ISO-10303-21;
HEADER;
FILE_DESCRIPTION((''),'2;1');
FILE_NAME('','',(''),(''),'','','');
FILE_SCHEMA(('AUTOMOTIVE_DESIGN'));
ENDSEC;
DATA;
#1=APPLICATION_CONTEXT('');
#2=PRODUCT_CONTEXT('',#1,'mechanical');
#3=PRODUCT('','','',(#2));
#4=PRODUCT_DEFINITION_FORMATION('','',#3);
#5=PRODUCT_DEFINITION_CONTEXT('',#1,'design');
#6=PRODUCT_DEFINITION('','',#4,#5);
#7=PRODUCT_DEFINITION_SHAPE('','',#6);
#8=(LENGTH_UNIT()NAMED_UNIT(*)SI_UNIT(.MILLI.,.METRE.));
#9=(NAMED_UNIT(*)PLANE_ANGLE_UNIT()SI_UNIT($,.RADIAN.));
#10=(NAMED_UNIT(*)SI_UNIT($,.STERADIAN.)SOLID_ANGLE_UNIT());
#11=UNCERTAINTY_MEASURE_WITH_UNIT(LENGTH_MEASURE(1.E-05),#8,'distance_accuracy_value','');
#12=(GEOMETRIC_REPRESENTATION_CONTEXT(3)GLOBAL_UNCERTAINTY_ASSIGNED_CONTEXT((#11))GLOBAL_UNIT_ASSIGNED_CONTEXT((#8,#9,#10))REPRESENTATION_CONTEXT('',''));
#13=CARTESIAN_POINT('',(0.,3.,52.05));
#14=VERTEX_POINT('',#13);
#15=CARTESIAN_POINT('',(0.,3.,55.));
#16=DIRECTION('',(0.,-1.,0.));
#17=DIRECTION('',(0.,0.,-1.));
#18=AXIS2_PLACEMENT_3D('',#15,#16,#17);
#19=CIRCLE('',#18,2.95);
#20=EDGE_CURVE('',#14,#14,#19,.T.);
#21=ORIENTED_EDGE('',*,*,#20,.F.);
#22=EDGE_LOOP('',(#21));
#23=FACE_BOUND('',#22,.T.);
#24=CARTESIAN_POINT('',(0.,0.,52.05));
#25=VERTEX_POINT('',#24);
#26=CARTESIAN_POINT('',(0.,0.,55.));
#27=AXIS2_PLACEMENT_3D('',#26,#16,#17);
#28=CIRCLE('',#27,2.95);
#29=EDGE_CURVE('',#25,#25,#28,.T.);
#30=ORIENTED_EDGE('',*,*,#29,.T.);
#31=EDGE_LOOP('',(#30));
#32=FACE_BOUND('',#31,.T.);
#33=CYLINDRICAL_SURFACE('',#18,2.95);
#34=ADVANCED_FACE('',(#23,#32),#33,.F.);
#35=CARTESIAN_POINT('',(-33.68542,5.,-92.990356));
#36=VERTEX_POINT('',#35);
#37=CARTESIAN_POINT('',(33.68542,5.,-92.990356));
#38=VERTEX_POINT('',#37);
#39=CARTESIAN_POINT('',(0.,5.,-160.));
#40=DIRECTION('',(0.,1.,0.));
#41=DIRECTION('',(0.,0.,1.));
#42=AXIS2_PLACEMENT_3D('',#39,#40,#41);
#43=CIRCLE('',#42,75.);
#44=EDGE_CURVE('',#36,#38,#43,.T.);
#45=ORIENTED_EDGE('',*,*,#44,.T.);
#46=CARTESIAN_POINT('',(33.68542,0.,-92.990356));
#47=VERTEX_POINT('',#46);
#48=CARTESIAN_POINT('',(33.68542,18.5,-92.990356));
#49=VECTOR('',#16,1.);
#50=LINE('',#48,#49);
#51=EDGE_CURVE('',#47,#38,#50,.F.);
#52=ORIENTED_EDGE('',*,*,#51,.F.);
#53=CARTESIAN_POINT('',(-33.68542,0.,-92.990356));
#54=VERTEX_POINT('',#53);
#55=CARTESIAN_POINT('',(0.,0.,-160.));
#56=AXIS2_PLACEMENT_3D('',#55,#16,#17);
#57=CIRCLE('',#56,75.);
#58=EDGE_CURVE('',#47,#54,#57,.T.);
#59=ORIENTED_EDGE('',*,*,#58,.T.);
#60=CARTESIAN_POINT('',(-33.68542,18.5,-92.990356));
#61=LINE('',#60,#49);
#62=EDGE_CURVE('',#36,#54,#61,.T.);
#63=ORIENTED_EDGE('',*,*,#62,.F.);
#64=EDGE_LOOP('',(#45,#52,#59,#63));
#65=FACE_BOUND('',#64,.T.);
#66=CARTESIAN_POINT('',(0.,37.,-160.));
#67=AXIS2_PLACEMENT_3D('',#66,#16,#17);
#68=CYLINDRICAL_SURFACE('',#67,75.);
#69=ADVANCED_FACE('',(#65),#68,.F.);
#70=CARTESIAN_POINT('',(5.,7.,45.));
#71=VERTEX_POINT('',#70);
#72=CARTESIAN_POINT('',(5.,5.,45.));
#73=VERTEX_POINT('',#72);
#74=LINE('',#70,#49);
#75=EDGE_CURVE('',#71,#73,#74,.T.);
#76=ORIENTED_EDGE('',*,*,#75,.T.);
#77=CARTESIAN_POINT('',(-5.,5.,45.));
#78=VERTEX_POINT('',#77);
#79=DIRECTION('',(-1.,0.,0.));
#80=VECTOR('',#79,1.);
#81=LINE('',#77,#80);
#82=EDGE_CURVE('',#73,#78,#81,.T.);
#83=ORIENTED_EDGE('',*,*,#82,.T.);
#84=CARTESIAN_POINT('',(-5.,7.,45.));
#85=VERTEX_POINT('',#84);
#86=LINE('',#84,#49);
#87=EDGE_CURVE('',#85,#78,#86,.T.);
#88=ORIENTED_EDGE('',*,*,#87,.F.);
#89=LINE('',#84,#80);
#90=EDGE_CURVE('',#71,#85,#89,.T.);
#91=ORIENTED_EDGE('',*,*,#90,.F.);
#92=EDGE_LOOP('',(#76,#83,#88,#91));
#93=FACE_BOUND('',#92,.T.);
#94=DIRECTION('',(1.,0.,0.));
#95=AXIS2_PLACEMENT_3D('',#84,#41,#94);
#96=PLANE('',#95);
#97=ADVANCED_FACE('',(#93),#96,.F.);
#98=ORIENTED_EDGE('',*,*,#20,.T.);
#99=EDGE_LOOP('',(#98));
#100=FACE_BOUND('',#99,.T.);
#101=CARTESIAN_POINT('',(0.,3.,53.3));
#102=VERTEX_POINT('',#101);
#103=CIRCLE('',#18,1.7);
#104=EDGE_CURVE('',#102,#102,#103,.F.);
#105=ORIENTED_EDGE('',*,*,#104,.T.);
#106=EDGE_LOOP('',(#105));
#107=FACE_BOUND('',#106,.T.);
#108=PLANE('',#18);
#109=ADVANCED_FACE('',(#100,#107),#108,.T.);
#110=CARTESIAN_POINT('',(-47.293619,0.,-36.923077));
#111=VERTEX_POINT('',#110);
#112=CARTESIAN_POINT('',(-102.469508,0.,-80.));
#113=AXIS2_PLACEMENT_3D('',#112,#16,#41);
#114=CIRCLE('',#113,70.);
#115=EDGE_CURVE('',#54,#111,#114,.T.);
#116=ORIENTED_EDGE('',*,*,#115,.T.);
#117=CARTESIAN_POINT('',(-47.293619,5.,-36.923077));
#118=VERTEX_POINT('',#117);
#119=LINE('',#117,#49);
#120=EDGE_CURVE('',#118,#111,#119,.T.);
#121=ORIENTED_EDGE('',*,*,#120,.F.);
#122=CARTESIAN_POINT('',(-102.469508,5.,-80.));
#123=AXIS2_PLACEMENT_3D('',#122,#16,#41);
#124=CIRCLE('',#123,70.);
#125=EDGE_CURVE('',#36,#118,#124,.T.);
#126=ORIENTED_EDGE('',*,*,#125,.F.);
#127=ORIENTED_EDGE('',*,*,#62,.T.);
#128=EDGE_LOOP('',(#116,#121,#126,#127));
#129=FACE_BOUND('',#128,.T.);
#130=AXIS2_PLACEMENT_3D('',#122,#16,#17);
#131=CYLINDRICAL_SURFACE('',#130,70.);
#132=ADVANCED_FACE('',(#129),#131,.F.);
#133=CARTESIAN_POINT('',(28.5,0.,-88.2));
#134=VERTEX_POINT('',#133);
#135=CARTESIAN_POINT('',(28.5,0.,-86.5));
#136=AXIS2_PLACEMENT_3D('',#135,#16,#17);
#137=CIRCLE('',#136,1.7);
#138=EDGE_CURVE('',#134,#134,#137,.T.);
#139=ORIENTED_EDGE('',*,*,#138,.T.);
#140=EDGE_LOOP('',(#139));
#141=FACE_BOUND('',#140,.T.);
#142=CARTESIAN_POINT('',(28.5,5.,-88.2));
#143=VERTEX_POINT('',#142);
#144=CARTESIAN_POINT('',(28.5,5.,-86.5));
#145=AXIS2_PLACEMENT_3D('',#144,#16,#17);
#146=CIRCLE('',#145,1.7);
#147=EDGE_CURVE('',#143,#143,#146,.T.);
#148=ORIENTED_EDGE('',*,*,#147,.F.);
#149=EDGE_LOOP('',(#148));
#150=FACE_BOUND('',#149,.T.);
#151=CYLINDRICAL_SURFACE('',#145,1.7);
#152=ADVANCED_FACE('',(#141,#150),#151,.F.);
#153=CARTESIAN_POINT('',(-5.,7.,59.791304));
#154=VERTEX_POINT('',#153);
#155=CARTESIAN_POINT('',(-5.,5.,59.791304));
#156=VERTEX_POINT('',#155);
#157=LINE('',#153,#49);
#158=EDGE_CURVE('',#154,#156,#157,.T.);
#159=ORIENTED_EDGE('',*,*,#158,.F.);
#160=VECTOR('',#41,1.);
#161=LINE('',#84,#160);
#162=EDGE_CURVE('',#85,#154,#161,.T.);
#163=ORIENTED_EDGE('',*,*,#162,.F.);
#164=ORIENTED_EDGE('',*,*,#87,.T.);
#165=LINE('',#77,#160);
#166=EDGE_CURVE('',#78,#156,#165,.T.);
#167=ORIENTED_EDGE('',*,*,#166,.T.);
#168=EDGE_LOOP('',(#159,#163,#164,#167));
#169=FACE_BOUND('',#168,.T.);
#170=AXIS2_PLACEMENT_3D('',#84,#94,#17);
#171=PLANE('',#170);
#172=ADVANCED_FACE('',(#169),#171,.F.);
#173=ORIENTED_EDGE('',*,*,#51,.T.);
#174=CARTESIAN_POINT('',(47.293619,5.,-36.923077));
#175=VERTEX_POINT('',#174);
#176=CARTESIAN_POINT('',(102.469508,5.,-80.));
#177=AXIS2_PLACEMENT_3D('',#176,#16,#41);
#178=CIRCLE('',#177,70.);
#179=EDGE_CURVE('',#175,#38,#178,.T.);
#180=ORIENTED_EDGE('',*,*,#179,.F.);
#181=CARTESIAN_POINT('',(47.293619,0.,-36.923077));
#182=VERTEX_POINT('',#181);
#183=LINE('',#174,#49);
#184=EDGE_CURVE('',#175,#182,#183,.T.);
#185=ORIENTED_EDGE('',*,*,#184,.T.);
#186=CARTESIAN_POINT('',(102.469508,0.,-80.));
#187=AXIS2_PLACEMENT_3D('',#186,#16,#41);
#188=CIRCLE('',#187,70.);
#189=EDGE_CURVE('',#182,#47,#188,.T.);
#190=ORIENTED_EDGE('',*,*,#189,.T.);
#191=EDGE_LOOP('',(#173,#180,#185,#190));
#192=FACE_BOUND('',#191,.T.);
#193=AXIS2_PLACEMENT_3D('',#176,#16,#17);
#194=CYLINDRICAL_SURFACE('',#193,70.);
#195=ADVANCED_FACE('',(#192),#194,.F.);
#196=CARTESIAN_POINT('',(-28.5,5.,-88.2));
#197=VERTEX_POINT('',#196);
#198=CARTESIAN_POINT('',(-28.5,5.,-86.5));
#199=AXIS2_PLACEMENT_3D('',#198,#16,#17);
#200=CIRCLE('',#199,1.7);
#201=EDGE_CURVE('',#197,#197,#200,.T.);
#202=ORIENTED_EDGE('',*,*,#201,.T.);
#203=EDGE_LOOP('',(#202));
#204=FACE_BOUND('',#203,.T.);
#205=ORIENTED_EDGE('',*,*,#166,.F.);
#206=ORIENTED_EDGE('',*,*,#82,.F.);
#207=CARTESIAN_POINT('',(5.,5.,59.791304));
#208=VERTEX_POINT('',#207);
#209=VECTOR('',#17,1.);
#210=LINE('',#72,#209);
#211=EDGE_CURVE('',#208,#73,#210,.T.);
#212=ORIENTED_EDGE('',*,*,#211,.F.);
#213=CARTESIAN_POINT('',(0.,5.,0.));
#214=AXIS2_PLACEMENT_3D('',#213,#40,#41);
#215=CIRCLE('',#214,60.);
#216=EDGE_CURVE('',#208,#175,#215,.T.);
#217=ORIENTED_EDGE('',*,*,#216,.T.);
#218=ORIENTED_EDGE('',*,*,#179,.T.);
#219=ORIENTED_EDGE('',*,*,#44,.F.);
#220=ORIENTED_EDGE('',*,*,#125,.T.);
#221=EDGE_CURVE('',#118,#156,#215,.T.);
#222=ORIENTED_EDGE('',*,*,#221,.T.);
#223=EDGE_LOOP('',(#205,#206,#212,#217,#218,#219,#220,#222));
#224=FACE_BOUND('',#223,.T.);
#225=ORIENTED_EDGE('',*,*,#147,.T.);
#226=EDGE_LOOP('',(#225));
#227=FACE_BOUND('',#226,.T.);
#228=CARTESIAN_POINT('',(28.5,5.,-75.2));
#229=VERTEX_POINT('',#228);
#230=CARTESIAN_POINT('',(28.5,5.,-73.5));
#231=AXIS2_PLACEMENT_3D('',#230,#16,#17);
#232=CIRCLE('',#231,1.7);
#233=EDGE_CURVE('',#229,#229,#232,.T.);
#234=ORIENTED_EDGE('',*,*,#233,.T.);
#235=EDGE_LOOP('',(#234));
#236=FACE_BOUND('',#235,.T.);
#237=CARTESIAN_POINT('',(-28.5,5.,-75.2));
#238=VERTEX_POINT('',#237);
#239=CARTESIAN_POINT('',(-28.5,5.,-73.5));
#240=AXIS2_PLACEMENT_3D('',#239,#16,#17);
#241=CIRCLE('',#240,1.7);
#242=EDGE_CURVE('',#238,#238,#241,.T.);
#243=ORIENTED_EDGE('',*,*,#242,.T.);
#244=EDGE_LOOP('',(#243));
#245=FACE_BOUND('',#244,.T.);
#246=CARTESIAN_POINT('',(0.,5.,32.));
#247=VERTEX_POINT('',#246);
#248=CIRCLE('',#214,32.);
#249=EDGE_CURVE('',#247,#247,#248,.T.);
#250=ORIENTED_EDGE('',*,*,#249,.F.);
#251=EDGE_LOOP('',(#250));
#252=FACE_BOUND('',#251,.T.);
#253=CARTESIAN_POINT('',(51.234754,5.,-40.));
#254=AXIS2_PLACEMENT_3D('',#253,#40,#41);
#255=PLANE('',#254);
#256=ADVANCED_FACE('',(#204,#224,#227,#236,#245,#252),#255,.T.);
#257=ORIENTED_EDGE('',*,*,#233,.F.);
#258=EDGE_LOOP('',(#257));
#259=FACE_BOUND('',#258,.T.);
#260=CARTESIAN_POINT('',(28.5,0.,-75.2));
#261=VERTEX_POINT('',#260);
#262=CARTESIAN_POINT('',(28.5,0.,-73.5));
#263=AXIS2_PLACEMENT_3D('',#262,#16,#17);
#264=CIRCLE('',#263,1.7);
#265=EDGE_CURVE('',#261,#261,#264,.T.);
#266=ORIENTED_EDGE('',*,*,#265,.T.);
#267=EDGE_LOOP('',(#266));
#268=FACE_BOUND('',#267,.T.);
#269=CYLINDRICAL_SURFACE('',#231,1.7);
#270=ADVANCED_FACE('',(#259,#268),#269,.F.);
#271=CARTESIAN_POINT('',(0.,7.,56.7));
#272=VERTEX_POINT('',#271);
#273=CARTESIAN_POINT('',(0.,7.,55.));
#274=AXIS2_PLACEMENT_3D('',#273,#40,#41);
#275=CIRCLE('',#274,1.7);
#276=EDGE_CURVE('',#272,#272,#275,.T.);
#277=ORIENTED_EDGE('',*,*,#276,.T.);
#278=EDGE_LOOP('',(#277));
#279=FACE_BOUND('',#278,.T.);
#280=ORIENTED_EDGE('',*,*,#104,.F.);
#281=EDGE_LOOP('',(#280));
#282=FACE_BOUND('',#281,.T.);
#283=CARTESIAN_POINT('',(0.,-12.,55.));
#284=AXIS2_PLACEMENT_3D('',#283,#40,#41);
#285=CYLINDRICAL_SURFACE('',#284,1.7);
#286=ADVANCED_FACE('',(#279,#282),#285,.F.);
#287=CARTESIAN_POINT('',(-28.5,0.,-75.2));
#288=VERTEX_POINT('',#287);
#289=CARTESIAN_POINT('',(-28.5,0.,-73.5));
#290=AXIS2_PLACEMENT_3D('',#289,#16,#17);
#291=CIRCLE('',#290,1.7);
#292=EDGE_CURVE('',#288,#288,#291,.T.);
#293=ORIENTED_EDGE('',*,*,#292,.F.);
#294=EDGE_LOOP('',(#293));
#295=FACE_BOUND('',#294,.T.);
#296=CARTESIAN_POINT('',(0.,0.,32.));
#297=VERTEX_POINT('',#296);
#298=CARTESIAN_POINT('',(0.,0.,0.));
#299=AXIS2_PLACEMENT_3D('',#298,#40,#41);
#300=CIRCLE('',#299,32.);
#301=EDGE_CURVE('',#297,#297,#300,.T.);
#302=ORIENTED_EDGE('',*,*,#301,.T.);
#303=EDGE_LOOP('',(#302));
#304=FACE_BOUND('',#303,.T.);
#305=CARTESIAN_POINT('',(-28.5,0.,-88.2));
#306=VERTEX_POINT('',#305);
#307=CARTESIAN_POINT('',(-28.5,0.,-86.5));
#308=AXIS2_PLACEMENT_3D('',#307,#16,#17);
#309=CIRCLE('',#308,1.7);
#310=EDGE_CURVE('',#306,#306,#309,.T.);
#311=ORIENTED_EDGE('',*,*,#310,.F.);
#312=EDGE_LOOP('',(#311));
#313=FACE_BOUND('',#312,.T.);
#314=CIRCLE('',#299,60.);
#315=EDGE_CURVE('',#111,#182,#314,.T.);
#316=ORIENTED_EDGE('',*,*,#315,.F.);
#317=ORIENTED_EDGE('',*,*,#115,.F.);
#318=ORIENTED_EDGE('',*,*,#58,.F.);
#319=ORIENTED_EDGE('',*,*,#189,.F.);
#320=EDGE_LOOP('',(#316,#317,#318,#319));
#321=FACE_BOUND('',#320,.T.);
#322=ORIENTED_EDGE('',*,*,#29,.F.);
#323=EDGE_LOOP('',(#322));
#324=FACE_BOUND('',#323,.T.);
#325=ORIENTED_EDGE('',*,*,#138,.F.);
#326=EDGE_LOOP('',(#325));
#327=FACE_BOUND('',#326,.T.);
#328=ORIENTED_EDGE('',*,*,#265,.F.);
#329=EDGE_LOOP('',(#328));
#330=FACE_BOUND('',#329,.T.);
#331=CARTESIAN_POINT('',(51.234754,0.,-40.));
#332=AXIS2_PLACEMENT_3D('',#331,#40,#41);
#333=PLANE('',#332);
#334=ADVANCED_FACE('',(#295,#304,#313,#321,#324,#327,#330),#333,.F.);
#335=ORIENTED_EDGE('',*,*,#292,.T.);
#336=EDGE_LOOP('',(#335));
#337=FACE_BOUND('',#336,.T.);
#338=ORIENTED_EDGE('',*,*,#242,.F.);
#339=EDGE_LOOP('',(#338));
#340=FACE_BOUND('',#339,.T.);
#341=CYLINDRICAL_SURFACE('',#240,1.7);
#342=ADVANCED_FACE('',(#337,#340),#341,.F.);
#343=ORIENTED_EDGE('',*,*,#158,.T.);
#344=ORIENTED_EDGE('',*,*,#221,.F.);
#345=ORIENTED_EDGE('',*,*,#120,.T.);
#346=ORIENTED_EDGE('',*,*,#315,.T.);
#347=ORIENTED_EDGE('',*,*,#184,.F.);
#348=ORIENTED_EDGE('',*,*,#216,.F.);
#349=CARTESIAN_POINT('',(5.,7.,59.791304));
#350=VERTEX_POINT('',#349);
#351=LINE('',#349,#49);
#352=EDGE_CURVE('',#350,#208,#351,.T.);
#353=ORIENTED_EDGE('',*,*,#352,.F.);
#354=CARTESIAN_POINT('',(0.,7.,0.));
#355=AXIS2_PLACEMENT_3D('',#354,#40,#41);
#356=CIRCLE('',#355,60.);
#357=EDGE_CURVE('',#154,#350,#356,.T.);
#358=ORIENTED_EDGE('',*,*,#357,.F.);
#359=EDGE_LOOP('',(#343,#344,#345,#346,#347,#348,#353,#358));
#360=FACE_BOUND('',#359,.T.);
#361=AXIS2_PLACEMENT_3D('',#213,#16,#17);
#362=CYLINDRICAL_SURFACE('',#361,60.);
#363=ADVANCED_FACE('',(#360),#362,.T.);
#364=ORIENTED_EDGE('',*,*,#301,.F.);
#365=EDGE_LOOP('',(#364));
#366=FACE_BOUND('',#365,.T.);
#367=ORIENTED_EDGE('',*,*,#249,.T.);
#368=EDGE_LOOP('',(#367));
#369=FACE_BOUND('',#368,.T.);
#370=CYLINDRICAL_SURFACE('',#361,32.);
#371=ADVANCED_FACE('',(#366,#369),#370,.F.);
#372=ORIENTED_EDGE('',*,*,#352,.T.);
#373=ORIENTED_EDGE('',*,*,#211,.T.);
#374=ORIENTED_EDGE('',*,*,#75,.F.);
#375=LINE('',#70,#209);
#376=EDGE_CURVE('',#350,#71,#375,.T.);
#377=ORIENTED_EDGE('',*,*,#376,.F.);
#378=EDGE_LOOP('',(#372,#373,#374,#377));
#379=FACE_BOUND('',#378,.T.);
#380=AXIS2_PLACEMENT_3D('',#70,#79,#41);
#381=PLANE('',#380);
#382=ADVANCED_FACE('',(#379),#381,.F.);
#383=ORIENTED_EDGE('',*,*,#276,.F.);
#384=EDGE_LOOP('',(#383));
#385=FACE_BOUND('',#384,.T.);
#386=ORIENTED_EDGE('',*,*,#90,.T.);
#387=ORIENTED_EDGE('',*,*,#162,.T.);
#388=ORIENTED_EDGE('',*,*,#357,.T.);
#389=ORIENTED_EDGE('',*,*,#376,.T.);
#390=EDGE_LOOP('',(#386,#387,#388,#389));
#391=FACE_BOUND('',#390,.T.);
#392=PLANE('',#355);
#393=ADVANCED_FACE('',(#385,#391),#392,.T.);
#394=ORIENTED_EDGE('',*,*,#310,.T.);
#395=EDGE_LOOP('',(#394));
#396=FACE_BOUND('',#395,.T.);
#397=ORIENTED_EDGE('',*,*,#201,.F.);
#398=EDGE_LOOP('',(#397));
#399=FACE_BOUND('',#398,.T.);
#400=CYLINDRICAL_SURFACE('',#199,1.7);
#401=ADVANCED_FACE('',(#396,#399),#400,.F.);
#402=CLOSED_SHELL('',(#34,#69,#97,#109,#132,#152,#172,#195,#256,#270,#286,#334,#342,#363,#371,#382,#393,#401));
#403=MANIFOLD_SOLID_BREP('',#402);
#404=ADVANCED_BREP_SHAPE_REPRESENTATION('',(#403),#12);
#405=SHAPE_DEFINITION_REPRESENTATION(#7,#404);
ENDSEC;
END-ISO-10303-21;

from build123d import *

# Parameters (mm, degrees)
CROQUIS1_R              = 32
SALIENTE_EXTRUIR1_DEPTH = 5
SALIENTE_EXTRUIR2_DEPTH = 2
CROQUIS3_R              = 1.7
CORTAR_EXTRUIR1_DEPTH   = 19
CROQUIS4_R              = 2.95
CORTAR_EXTRUIR2_DEPTH   = 3
CROQUIS5_R              = 1.7
CORTAR_EXTRUIR3_DEPTH   = 5
CROQUIS9_R              = 75
CORTAR_EXTRUIR6_DEPTH   = 37


with BuildPart() as part:
    # Croquis1 → Saliente-Extruir1 (new body)
    with BuildSketch(Plane(origin=(0, 0, 0), x_dir=(1, 0, 0), z_dir=(0, 1, 0))):
        with BuildLine():
            ThreePointArc((-47.29361892, 36.923076923), (0, -60), (47.29361892, 36.923076923))
            ThreePointArc((47.29361892, 36.923076923), (32.46950766, 80), (47.29361892, 123.076923077))
            ThreePointArc((47.29361892, 123.076923077), (0, 220), (-47.29361892, 123.076923077))
            ThreePointArc((-47.29361892, 123.076923077), (-32.46950766, 80), (-47.29361892, 36.923076923))
        make_face()
        Circle(CROQUIS1_R, mode=Mode.SUBTRACT)
        with Locations((0, 160)):
            Circle(CROQUIS1_R, mode=Mode.SUBTRACT)
    extrude(amount=SALIENTE_EXTRUIR1_DEPTH)

    # Croquis2 → Saliente-Extruir2 (add)
    with BuildSketch(Plane(origin=(0, 5, 0), x_dir=(1, 0, 0), z_dir=(0, 1, 0))):
        with BuildLine():
            Line((5, 205), (-5, 205))
            Line((-5, 205), (-5, 219.791303716))
            ThreePointArc((-5, 219.791303716), (0, 220), (5, 219.791303716))
            Line((5, 219.791303716), (5, 205))
        make_face()
        with BuildLine():
            Line((-5, -45), (5, -45))
            Line((5, -45), (5, -59.791303716))
            ThreePointArc((5, -59.791303716), (0, -60), (-5, -59.791303716))
            Line((-5, -59.791303716), (-5, -45))
        make_face()
    extrude(amount=SALIENTE_EXTRUIR2_DEPTH)

    # Croquis3 → Cortar-Extruir1 (cut)
    with BuildSketch(Plane(origin=(0, 7, 0), x_dir=(1, 0, 0), z_dir=(0, 1, 0))):
        with Locations((0, 215)):
            Circle(CROQUIS3_R)
        with Locations((0, -55)):
            Circle(CROQUIS3_R)
    extrude(amount=-CORTAR_EXTRUIR1_DEPTH, mode=Mode.SUBTRACT)

    # Croquis4 → Cortar-Extruir2 (cut)
    with BuildSketch(Plane.XZ):
        with Locations((0, 55)):
            Circle(CROQUIS4_R)
        with Locations((0, -215)):
            Circle(CROQUIS4_R)
    extrude(amount=-CORTAR_EXTRUIR2_DEPTH, mode=Mode.SUBTRACT)

    # Croquis5 → Cortar-Extruir3 (cut)
    with BuildSketch(Plane.XZ):
        with Locations((-28.5, -73.5)):
            Circle(CROQUIS5_R)
        with Locations((-28.5, -86.5)):
            Circle(CROQUIS5_R)
        with Locations((28.5, -86.5)):
            Circle(CROQUIS5_R)
        with Locations((28.5, -73.5)):
            Circle(CROQUIS5_R)
    extrude(amount=-CORTAR_EXTRUIR3_DEPTH, mode=Mode.SUBTRACT)

    # Croquis9 → Cortar-Extruir6 (cut)
    with BuildSketch(Plane.XZ):
        with Locations((0, -160)):
            Circle(CROQUIS9_R)
    extrude(amount=-CORTAR_EXTRUIR6_DEPTH, mode=Mode.SUBTRACT)


solid = part.part
